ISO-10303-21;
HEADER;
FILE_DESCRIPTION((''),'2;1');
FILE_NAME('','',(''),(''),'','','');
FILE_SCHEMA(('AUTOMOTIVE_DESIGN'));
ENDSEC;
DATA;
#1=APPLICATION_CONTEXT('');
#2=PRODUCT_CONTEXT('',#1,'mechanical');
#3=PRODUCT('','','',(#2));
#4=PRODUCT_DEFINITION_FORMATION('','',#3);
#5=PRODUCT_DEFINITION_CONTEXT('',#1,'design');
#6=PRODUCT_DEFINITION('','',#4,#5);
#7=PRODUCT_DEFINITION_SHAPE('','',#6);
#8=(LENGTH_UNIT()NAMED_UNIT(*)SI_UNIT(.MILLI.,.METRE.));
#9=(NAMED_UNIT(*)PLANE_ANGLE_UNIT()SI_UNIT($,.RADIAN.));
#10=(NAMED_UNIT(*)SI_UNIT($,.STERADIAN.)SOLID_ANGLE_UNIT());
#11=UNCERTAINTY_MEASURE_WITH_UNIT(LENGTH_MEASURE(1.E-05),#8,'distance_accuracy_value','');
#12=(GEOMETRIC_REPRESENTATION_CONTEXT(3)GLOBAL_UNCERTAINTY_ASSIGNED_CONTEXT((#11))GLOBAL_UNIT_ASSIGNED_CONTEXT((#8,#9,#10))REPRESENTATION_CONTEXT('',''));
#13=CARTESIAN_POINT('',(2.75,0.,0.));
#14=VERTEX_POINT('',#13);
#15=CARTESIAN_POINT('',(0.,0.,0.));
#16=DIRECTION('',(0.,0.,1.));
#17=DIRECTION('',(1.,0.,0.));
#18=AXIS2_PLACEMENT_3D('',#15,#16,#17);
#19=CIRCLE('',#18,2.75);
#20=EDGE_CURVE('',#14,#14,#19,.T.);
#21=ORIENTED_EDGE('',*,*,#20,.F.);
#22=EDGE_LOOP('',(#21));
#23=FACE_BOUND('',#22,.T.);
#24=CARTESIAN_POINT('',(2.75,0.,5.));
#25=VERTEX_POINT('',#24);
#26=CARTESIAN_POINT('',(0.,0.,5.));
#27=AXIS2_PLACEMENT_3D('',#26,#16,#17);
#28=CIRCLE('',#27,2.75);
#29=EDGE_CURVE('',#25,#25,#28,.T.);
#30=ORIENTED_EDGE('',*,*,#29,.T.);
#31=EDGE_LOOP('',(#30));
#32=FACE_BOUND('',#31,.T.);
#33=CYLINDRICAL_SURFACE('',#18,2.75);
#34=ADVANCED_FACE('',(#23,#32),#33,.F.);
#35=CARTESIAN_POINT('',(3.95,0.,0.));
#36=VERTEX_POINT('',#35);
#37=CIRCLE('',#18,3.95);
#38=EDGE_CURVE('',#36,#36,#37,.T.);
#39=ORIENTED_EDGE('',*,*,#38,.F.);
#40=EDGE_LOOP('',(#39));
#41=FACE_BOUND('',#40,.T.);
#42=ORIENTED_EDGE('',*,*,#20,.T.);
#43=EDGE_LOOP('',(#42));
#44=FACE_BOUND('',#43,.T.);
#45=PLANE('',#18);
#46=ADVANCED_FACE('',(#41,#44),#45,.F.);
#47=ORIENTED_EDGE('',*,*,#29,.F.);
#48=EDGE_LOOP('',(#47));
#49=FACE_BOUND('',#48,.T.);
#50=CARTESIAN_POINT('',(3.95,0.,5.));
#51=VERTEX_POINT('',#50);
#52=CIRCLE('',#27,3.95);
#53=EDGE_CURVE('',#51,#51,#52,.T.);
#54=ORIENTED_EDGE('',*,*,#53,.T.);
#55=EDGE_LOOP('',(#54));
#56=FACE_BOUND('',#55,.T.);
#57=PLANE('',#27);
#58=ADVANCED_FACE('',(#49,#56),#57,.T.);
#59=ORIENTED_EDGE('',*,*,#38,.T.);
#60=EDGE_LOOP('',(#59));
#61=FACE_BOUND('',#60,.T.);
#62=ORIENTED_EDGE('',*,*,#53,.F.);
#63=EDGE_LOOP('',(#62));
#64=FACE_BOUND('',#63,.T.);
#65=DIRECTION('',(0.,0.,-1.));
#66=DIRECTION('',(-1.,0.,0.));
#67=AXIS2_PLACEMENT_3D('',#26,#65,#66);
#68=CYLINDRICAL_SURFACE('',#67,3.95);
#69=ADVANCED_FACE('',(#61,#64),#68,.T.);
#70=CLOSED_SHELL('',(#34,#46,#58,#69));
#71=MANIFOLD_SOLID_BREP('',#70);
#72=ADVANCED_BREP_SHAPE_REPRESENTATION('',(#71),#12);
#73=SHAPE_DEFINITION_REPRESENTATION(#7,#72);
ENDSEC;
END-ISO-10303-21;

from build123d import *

# Parameters (mm, degrees)
SKETCH1_R           = 3.95
BOSS_EXTRUDE1_DEPTH = 5
SKETCH2_R           = 2.75
CUT_EXTRUDE1_DEPTH  = 5


with BuildPart() as part:
    # Sketch1 → Boss-Extrude1 (new body)
    with BuildSketch(Plane.XY):
        Circle(SKETCH1_R)
    extrude(amount=BOSS_EXTRUDE1_DEPTH)

    # Sketch2 → Cut-Extrude1 (cut)
    with BuildSketch(Plane.XY.offset(5)):
        Circle(SKETCH2_R)
    extrude(amount=-CUT_EXTRUDE1_DEPTH, mode=Mode.SUBTRACT)


solid = part.part
